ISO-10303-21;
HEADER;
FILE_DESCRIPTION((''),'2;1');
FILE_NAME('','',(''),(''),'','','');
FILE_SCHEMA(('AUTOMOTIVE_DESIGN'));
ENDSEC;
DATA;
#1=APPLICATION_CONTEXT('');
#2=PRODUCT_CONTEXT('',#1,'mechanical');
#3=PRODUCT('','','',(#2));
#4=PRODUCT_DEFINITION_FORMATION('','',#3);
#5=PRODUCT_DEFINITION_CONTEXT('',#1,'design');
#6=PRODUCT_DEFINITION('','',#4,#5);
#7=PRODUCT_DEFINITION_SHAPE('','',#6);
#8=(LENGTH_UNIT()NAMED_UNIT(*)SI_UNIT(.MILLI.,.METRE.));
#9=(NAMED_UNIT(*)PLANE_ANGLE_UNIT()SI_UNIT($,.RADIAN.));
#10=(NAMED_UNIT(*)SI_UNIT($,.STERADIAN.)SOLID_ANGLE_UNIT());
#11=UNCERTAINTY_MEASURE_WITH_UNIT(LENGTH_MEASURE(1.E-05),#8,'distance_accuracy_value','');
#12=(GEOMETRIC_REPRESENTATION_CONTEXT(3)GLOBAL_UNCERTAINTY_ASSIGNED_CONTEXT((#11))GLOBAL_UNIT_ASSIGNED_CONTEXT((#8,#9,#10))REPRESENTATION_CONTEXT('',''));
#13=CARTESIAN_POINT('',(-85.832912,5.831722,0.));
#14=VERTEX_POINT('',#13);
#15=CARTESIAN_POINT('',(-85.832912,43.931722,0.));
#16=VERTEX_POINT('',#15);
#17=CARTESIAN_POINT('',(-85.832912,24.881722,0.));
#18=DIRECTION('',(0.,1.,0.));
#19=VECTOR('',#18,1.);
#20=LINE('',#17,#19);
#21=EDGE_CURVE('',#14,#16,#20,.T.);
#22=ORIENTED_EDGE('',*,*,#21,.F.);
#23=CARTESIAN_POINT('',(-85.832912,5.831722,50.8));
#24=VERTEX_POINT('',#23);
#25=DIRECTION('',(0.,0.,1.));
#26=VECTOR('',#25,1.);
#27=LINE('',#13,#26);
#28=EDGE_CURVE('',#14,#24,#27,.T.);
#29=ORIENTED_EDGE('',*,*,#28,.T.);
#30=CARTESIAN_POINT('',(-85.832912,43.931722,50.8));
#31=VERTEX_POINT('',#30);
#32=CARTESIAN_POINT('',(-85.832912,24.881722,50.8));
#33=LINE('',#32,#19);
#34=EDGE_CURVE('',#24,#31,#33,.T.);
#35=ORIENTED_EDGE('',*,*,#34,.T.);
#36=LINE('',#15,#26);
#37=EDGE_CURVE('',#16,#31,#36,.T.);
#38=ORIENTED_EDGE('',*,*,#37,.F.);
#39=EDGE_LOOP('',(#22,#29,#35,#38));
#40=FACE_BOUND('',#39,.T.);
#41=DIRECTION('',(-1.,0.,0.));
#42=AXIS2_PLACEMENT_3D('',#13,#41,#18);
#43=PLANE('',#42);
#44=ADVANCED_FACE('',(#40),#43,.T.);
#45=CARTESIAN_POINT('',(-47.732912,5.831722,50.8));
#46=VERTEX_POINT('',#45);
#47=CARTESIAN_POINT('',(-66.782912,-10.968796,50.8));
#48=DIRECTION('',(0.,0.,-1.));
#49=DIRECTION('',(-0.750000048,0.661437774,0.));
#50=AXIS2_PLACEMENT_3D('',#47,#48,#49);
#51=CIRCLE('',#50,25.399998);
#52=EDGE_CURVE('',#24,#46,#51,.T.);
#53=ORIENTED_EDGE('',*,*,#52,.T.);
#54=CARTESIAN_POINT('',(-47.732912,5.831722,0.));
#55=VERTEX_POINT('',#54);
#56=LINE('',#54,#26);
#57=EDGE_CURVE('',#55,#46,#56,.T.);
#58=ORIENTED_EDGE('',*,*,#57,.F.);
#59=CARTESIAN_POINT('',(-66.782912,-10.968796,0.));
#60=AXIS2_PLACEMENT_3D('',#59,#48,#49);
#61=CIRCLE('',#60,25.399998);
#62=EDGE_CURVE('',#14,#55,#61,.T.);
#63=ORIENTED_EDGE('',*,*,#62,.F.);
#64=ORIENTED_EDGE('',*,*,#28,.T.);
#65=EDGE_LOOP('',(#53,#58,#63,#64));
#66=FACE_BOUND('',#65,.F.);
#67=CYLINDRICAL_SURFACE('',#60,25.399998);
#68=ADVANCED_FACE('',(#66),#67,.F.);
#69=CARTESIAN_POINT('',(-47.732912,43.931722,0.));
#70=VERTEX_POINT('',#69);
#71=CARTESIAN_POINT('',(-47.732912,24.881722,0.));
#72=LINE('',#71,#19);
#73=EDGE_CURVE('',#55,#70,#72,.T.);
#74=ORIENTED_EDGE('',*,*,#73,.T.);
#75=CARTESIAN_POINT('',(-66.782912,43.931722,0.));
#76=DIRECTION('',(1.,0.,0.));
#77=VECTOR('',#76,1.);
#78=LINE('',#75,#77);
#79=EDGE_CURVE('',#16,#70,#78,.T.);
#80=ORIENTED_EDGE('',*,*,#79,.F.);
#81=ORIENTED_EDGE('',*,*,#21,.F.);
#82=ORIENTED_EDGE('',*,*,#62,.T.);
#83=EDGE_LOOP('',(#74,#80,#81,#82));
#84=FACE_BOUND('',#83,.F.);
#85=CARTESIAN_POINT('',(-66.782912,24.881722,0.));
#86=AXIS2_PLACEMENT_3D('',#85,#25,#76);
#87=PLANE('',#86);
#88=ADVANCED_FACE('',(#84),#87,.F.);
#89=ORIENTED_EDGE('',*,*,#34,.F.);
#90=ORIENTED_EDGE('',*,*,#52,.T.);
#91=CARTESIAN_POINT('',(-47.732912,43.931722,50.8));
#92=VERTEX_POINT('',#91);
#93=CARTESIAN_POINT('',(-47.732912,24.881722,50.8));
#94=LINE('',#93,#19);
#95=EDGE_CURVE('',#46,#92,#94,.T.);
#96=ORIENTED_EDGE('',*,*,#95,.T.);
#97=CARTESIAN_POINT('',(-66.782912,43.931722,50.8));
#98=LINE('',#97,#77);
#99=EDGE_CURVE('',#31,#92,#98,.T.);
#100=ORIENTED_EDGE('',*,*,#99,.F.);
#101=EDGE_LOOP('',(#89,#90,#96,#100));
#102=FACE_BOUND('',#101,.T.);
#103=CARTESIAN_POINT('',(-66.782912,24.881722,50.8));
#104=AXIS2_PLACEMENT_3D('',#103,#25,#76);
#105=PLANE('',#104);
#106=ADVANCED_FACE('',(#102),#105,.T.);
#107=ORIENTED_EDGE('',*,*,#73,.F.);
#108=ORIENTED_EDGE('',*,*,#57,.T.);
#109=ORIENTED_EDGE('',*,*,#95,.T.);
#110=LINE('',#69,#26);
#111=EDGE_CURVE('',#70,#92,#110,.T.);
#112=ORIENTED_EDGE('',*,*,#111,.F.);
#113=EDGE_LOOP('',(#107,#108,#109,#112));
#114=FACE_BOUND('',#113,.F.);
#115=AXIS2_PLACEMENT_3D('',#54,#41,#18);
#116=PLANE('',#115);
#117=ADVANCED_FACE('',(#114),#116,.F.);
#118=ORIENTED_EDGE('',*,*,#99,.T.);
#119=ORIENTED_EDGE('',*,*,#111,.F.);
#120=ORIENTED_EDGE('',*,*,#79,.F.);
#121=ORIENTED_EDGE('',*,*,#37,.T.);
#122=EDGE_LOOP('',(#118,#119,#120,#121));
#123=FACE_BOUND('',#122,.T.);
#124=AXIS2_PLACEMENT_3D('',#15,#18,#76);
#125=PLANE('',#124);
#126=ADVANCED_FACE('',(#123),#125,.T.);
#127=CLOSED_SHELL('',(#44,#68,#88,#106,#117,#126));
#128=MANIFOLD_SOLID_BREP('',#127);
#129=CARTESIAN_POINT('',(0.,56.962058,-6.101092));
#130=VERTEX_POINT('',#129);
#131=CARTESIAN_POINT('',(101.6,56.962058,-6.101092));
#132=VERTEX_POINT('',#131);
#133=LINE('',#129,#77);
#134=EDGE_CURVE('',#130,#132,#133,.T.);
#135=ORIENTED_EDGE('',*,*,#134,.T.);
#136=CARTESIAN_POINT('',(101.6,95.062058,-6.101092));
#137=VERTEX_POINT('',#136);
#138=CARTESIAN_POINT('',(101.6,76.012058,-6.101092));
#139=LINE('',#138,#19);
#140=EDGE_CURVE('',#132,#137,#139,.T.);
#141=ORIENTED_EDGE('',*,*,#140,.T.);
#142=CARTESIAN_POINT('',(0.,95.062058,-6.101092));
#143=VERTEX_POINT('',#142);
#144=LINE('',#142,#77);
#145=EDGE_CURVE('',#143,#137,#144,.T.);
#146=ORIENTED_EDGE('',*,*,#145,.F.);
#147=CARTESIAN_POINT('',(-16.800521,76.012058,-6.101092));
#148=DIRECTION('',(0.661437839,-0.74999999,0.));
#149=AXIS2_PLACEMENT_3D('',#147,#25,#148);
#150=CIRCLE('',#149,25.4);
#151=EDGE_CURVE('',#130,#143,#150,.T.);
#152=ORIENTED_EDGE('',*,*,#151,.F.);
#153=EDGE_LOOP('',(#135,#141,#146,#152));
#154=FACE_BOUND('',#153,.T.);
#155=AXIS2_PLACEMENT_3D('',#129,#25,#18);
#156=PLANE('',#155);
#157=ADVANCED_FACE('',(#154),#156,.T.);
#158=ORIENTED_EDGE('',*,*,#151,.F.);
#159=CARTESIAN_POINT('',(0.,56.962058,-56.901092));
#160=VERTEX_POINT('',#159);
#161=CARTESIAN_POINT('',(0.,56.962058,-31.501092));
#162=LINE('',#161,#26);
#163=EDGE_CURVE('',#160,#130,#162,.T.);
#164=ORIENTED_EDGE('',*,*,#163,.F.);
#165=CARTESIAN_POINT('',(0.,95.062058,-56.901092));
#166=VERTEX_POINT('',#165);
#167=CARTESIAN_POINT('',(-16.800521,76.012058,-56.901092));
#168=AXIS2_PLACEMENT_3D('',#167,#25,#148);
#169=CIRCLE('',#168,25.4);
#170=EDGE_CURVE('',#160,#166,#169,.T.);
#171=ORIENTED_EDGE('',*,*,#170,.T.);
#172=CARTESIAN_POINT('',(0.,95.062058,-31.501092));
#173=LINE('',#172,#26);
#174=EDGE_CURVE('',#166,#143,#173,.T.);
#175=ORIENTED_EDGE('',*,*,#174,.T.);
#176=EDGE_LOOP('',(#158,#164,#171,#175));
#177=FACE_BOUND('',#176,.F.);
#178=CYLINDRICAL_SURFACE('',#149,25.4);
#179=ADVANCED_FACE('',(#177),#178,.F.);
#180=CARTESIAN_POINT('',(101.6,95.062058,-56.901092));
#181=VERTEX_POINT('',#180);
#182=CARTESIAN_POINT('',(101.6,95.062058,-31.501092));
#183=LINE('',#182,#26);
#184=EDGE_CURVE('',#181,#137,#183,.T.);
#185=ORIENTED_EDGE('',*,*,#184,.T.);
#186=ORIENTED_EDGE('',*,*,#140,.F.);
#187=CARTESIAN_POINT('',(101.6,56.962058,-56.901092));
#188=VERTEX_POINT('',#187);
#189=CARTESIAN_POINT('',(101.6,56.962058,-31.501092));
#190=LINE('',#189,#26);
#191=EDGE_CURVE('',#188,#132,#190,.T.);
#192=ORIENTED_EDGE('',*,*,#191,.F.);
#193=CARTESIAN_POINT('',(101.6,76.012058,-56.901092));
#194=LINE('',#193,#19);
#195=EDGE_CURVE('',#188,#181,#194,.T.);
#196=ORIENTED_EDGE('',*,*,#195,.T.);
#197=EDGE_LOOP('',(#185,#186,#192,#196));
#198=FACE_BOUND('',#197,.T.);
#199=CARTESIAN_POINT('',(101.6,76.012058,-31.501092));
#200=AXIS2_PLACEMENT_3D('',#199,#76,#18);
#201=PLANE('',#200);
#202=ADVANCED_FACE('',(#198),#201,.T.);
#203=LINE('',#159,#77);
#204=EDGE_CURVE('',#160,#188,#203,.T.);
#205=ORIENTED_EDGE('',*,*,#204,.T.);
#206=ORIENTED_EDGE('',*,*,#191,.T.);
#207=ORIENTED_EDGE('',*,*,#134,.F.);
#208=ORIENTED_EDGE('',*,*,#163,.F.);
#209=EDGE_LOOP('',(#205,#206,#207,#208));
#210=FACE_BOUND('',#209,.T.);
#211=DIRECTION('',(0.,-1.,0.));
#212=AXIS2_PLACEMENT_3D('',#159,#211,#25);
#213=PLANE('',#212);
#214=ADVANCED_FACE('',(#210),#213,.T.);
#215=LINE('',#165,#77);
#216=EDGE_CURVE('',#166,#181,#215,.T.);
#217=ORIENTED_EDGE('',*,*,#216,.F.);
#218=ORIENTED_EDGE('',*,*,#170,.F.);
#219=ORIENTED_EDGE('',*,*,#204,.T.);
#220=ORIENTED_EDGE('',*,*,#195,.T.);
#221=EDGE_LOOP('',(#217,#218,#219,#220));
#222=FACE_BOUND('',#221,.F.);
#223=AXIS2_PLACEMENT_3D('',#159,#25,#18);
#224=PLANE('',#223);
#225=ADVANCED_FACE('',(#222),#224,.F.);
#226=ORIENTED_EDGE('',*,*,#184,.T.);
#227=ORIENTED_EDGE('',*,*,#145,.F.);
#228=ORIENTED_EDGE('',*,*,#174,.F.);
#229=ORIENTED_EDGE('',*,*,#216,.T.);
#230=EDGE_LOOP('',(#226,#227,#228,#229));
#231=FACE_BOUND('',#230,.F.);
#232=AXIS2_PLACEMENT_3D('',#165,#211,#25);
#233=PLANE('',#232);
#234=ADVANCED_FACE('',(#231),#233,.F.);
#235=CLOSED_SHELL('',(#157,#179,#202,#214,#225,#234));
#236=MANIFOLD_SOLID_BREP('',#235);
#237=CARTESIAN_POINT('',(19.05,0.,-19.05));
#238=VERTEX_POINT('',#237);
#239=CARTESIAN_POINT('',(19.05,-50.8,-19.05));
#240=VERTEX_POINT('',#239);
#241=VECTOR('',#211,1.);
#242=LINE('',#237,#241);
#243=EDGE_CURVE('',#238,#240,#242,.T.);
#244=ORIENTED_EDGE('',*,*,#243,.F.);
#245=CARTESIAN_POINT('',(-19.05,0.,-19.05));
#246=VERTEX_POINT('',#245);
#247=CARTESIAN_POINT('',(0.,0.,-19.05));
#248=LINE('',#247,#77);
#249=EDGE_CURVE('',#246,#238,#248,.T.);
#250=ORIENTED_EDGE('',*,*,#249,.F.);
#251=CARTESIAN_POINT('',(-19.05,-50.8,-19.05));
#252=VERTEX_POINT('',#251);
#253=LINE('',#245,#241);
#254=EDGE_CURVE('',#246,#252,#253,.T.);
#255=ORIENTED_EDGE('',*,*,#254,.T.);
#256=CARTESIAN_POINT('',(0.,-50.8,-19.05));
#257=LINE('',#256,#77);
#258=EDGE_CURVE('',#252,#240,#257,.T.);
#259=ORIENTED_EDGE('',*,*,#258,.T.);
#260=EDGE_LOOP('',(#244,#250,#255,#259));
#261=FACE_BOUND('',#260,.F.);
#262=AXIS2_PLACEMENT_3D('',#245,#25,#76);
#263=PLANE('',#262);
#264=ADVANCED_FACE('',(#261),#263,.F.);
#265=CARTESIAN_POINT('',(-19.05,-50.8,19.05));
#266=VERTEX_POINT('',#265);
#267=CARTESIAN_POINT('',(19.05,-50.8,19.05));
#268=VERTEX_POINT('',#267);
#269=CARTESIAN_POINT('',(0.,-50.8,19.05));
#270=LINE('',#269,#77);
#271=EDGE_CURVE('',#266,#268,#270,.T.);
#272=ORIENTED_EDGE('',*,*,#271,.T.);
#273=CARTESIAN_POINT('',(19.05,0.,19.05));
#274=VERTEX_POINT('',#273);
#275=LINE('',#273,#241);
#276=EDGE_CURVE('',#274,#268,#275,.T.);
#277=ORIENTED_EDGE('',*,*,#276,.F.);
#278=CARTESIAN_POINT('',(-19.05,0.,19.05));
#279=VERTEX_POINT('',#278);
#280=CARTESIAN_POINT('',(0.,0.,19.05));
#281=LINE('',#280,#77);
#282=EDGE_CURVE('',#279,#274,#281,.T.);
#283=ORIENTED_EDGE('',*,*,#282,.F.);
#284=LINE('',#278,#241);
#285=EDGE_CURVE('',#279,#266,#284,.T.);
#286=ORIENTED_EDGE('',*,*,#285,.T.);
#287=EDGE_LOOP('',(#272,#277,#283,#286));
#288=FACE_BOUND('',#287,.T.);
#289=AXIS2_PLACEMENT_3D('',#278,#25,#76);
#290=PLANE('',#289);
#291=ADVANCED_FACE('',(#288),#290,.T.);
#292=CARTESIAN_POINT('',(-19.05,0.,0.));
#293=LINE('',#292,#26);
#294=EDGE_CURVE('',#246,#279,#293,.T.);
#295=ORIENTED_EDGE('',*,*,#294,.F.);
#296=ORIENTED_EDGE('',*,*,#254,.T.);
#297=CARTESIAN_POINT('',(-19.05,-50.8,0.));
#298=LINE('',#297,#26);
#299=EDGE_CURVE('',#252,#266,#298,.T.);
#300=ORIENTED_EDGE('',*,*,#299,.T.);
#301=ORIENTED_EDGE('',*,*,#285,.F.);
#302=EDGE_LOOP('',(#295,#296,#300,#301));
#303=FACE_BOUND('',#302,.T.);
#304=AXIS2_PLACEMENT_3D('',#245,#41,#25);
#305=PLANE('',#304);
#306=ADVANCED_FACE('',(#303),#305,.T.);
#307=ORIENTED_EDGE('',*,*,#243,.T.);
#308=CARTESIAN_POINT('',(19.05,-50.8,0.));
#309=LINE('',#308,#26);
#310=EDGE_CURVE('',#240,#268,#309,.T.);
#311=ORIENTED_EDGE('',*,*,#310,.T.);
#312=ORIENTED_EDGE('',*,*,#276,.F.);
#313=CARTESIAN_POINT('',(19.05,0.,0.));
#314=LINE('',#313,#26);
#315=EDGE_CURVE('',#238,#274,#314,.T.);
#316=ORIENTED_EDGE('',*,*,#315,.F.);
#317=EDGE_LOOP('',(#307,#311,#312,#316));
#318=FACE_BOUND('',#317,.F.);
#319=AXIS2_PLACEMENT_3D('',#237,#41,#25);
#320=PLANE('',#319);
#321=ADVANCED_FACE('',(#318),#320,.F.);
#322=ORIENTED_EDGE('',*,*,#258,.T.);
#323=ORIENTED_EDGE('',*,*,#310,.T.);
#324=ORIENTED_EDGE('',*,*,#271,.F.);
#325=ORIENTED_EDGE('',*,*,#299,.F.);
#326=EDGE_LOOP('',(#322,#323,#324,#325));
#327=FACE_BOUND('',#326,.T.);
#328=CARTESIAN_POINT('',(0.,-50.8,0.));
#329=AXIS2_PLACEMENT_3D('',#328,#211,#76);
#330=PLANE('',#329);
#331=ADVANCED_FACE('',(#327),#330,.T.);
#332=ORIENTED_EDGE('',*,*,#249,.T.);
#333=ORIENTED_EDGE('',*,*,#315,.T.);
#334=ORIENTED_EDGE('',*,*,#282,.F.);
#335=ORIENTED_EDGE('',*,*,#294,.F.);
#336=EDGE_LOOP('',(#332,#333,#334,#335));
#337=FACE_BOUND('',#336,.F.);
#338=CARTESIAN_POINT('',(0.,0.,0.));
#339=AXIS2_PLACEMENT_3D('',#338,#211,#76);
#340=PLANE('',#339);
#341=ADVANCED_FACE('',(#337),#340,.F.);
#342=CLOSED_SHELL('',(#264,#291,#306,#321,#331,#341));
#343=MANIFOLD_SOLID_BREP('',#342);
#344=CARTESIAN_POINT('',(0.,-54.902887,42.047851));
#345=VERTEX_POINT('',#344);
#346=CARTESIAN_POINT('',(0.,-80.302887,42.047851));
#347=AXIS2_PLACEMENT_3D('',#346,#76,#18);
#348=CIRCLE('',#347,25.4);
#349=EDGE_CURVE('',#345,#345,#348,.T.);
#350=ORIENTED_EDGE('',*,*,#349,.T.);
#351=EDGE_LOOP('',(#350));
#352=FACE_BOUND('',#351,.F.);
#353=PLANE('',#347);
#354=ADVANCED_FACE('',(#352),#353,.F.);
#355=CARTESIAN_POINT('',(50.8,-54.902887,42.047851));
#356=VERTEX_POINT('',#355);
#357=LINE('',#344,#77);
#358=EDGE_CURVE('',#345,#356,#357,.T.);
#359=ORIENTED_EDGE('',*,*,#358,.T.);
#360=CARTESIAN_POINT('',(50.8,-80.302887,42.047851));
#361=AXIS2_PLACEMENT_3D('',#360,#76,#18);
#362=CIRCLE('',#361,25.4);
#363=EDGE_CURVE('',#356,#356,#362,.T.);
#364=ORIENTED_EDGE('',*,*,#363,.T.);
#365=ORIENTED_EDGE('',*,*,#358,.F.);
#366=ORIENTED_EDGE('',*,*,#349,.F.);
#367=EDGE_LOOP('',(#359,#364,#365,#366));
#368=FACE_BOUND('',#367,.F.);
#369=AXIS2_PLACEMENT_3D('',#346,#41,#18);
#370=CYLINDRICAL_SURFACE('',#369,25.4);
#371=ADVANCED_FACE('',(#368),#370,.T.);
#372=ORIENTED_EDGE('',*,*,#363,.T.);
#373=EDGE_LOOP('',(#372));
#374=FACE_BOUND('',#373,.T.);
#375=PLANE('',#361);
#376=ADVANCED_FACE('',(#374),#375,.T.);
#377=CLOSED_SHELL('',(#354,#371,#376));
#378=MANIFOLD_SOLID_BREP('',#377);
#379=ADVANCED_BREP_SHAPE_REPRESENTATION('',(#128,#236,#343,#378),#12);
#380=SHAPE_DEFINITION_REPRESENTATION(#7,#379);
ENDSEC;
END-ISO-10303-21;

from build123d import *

# Parameters (mm, degrees)
F0_W      = 38.1
F0_H      = 38.1
F1_DEPTH  = 50.8
F2_W      = 38.1
F2_H      = 38.1
F3_DEPTH  = 50.8
F4_R      = 25.4
F5_DEPTH  = 50.8
F7_DEPTH  = 67.448851
F8_W      = 38.1
F8_H      = 50.8
F9_DEPTH  = 101.6
F11_DEPTH = 50.801


with BuildPart() as f1:
    # F0 (on Front) → F1 (new body)
    with BuildSketch(Plane.XZ):
        Rectangle(F0_W, F0_H)
    extrude(amount=F1_DEPTH)


with BuildPart() as f3:
    # F2 (on Top) → F3 (new body)
    with BuildSketch(Plane.XY):
        with Locations((-66.782912, 24.881722)):
            Rectangle(F2_W, F2_H)
    extrude(amount=F3_DEPTH)

    # F6 (on face) → F7 (cut, through all)
    with BuildSketch(Plane(origin=(0, 0, 0), x_dir=(1, 0, 0), z_dir=(0, 0, -1))):
        with BuildLine():
            Line((-47.732912, -5.831722), (-85.832912, -5.831722))
            ThreePointArc((-85.832912, -5.831722), (-66.782912, -14.431202), (-47.732912, -5.831722))
        make_face()
    extrude(amount=-F7_DEPTH, mode=Mode.SUBTRACT)


with BuildPart() as f5:
    # F4 (on Right) → F5 (new body)
    with BuildSketch(Plane.YZ):
        with Locations((-80.302887, 42.047851)):
            Circle(F4_R)
    extrude(amount=F5_DEPTH)


with BuildPart() as f9:
    # F8 (on Right) → F9 (new body)
    with BuildSketch(Plane.YZ):
        with Locations((76.012058, -31.501092)):
            Rectangle(F8_W, F8_H)
    extrude(amount=F9_DEPTH)

    # F10 (on face) → F11 (cut, through all)
    with BuildSketch(Plane.XY.offset(-6.101092)):
        with BuildLine():
            Line((0, 95.062058), (0, 56.962058))
            ThreePointArc((0, 56.962058), (8.599479, 76.012058), (0, 95.062058))
        make_face()
    extrude(amount=-F11_DEPTH, mode=Mode.SUBTRACT)


solid = Compound([f1.part, f3.part, f5.part, f9.part])
